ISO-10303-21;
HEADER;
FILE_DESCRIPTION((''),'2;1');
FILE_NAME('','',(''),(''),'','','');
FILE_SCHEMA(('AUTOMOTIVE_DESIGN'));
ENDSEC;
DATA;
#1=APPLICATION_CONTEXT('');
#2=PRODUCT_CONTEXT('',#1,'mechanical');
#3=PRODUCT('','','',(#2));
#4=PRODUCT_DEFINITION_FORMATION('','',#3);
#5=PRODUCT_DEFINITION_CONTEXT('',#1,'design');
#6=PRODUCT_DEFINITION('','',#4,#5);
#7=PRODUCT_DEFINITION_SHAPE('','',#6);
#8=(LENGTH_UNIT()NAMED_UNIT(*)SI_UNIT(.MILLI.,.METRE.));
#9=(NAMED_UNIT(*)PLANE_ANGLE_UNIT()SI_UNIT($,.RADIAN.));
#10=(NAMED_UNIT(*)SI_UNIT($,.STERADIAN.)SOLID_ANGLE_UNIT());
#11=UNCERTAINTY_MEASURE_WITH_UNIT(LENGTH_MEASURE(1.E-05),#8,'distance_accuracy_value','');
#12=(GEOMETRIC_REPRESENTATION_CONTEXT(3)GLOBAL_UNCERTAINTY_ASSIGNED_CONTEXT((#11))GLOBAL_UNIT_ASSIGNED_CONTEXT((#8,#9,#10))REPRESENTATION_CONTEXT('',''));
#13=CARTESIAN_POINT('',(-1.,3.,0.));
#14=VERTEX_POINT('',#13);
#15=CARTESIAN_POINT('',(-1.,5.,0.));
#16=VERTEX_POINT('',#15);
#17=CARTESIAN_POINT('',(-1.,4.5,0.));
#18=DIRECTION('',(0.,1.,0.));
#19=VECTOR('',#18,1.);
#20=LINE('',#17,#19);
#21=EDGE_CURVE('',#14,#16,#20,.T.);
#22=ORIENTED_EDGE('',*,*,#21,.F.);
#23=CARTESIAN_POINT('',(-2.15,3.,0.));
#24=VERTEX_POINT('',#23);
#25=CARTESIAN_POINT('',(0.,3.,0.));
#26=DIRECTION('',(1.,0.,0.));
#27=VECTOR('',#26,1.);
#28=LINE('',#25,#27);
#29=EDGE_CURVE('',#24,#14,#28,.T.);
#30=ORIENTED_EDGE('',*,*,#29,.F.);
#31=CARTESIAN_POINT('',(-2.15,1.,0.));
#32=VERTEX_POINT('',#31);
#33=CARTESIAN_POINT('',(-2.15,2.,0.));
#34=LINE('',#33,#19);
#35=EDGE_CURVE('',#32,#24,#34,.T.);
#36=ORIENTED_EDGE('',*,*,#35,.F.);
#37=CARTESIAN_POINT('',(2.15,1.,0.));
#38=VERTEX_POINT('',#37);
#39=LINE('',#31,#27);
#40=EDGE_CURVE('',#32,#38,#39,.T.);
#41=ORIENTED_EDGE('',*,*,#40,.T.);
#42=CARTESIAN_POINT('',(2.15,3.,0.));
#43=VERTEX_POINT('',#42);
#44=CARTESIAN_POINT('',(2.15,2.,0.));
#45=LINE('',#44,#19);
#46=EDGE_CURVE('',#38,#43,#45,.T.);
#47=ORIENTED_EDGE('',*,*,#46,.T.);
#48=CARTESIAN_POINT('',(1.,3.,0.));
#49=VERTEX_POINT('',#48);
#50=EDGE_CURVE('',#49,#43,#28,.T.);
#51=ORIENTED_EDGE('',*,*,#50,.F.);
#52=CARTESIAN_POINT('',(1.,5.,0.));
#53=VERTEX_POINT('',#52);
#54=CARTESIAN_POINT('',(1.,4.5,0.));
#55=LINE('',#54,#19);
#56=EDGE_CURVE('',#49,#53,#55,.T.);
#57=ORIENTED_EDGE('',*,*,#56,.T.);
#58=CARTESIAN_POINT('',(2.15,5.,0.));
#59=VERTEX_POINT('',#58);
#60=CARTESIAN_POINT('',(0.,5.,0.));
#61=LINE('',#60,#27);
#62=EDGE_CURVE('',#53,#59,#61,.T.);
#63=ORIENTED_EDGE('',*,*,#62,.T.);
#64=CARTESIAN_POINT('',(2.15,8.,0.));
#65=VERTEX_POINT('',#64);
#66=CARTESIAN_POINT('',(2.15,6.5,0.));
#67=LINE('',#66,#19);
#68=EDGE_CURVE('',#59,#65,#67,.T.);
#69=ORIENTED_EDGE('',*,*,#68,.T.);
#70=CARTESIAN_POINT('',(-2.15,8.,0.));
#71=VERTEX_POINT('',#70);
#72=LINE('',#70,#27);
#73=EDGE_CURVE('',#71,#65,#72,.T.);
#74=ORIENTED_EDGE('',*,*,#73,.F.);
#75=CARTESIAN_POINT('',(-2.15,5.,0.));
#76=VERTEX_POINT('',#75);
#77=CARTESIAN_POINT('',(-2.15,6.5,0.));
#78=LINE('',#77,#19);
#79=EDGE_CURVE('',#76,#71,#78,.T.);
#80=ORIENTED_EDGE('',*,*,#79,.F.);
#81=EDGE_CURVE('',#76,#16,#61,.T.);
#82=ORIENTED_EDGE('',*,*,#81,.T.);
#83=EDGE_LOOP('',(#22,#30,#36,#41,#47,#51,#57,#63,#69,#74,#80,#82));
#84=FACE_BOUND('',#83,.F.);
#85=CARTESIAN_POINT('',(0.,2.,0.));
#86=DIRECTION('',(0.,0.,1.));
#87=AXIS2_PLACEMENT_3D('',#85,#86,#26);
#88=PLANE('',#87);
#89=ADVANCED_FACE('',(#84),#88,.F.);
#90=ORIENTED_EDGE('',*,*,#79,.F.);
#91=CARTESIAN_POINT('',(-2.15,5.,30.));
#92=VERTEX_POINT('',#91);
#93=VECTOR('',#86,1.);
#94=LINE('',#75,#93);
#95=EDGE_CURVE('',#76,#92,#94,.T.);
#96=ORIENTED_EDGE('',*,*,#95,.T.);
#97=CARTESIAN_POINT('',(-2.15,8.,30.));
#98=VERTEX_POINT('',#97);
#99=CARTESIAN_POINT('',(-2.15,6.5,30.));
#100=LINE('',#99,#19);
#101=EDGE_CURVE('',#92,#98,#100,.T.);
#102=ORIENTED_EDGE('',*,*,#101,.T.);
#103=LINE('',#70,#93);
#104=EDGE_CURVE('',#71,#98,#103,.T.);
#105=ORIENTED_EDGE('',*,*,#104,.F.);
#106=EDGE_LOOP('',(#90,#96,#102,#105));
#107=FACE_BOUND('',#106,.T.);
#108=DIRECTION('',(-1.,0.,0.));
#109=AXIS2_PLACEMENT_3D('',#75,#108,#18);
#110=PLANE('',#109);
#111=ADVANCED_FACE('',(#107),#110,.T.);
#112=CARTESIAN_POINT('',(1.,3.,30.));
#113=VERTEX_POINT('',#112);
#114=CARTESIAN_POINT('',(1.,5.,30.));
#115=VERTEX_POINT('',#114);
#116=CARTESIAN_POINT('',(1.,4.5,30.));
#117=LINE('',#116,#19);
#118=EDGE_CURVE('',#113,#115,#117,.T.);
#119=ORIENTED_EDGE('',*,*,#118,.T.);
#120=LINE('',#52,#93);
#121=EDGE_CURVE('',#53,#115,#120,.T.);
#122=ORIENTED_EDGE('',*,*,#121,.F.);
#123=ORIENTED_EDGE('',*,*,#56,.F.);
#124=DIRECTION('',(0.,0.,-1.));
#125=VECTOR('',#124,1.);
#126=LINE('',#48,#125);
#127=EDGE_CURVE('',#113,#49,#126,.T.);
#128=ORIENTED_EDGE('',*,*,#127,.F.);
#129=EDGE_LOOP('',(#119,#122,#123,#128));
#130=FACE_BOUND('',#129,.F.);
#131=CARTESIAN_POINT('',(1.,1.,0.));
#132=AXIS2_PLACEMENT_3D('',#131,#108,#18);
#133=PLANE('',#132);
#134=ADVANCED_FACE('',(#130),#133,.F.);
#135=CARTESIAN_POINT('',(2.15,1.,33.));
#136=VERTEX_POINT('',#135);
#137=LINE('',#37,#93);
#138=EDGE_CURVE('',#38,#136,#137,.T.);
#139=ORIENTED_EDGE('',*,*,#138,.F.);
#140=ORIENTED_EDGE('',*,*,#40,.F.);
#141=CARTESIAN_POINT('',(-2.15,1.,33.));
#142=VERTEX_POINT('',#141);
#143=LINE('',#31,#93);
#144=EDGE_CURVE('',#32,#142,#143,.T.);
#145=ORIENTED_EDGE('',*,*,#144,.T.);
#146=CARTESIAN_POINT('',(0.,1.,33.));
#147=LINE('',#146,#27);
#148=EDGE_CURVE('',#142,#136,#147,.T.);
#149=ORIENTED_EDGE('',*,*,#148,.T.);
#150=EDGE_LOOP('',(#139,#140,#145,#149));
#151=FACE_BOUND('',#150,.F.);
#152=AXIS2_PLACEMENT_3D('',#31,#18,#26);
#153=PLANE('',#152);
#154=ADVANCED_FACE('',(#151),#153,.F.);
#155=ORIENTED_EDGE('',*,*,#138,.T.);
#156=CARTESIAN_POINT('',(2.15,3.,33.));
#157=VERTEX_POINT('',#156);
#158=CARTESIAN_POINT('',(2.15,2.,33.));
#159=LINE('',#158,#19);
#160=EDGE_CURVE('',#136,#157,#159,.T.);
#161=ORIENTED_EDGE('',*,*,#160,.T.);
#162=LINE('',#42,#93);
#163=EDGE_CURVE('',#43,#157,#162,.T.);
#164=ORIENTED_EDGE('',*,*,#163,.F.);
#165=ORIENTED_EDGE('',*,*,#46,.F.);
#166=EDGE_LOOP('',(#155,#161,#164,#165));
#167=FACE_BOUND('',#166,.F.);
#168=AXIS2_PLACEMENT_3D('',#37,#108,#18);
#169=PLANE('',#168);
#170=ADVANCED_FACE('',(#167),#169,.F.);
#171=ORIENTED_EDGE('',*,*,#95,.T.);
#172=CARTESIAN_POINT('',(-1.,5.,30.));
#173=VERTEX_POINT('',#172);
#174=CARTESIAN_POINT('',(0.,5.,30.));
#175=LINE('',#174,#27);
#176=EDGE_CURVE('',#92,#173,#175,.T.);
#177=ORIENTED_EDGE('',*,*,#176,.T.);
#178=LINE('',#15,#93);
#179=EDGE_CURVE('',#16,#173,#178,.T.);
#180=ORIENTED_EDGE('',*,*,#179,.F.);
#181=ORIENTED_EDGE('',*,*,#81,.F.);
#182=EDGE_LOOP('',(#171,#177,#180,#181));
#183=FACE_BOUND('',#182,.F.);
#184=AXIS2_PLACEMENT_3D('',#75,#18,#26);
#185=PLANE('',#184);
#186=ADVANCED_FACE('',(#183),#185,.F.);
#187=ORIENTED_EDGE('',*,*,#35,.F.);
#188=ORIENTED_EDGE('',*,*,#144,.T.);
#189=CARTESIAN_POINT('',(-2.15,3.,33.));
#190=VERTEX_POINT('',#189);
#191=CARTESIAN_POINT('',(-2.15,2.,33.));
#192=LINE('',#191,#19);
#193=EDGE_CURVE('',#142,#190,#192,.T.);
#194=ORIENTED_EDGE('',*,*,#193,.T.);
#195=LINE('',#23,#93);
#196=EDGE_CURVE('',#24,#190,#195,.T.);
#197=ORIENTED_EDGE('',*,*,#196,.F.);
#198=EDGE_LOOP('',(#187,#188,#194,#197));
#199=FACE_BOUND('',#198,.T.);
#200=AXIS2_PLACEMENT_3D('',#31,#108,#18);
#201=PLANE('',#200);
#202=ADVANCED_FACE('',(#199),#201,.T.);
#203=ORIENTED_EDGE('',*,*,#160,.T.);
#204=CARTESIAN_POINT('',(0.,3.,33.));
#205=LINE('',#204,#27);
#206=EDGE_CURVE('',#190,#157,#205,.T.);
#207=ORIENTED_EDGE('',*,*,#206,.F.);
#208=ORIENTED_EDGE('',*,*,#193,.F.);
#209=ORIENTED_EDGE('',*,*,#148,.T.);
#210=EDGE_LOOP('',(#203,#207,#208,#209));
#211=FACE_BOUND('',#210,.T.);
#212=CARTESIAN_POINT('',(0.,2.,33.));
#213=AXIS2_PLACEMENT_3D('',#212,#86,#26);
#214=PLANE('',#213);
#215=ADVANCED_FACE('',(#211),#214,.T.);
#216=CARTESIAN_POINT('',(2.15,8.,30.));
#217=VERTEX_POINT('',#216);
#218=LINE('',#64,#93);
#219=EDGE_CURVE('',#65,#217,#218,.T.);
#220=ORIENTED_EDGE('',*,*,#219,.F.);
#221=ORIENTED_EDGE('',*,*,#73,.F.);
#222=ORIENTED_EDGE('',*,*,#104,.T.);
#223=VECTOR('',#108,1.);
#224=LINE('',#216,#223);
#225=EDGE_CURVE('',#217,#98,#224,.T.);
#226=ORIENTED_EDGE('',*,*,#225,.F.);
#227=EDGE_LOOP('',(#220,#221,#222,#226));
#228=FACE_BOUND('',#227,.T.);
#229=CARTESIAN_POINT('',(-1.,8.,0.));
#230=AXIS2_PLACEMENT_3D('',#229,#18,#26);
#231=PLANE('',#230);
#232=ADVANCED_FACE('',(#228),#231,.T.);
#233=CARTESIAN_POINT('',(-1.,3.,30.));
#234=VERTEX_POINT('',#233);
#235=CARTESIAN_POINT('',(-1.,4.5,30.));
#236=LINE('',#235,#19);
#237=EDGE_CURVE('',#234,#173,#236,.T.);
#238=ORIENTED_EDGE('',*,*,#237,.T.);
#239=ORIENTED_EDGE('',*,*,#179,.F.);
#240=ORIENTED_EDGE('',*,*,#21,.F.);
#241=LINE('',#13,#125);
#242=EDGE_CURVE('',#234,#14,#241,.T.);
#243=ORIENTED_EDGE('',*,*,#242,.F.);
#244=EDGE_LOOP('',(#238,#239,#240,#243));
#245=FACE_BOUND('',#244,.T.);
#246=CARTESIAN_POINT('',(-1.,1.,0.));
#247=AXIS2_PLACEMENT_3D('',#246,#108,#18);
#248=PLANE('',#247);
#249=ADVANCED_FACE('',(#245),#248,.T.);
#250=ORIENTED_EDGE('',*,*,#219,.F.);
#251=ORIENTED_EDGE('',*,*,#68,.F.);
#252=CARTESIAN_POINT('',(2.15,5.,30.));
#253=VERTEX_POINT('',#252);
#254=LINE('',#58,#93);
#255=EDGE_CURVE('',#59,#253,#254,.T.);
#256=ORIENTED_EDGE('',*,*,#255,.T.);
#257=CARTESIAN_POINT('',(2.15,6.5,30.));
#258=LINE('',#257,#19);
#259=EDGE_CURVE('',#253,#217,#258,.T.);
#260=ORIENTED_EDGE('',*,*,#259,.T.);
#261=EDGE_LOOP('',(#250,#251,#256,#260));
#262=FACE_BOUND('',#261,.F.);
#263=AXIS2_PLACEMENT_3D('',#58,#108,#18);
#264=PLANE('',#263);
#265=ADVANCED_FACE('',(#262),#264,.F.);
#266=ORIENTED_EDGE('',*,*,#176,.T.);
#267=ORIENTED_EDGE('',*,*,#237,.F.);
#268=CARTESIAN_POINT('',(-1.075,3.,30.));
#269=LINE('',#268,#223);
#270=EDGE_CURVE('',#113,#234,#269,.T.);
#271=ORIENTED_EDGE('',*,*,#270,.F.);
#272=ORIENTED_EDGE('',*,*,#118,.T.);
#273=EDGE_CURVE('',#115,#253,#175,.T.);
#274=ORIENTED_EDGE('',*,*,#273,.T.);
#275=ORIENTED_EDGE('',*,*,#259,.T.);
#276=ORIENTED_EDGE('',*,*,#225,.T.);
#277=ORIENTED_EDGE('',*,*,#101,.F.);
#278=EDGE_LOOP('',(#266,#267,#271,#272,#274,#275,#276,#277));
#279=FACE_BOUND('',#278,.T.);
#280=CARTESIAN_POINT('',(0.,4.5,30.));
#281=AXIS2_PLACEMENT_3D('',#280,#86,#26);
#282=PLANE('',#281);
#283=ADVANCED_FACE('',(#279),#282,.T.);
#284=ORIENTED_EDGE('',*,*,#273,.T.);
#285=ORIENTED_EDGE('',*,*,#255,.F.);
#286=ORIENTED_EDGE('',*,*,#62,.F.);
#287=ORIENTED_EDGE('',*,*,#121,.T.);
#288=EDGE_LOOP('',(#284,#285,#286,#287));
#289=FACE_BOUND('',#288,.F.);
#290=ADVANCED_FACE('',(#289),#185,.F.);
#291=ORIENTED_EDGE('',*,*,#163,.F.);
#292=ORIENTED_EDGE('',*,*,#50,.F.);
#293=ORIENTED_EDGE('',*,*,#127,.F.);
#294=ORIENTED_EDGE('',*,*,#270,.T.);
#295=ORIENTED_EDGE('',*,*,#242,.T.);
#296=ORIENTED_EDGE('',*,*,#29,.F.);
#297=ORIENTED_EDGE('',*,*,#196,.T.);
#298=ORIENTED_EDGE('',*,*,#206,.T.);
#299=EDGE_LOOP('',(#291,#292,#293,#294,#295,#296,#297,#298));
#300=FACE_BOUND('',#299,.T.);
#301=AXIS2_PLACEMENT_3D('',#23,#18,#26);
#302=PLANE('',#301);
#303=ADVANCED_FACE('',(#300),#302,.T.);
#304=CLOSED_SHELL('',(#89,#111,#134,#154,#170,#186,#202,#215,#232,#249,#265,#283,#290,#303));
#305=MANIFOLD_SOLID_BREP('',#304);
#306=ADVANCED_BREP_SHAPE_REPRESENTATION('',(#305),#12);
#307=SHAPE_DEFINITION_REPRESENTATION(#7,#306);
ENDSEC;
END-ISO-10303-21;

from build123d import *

# Parameters (mm, degrees)
BOX005_W     = 2
BOX005_H     = 7
BOX005_DEPTH = 30
BOX003_W     = 4.3
BOX003_H     = 2
BOX003_DEPTH = 33
BOX004_W     = 4.3
BOX004_H     = 3
BOX004_DEPTH = 30


with BuildPart() as cube005:
    # Box005 → Box005 (new body)
    with BuildSketch(Plane(origin=(-1, 1, 0), x_dir=(1, 0, 0), z_dir=(0, 0, 1))):
        with Locations((1, 3.5)):
            Rectangle(BOX005_W, BOX005_H)
    extrude(amount=BOX005_DEPTH)


with BuildPart() as cube003:
    # Box003 → Box003 (new body)
    with BuildSketch(Plane(origin=(-2.15, 1, 0), x_dir=(1, 0, 0), z_dir=(0, 0, 1))):
        with Locations((2.15, 1)):
            Rectangle(BOX003_W, BOX003_H)
    extrude(amount=BOX003_DEPTH)


with BuildPart() as slot_template:
    # Box004 → Box004 (new body)
    with BuildSketch(Plane(origin=(-2.15, 5, 0), x_dir=(1, 0, 0), z_dir=(0, 0, 1))):
        with Locations((2.15, 1.5)):
            Rectangle(BOX004_W, BOX004_H)
    extrude(amount=BOX004_DEPTH)

    # Fusion001002: union Cube005, Cube003
    add(cube005.part)
    add(cube003.part)


solid = slot_template.part
